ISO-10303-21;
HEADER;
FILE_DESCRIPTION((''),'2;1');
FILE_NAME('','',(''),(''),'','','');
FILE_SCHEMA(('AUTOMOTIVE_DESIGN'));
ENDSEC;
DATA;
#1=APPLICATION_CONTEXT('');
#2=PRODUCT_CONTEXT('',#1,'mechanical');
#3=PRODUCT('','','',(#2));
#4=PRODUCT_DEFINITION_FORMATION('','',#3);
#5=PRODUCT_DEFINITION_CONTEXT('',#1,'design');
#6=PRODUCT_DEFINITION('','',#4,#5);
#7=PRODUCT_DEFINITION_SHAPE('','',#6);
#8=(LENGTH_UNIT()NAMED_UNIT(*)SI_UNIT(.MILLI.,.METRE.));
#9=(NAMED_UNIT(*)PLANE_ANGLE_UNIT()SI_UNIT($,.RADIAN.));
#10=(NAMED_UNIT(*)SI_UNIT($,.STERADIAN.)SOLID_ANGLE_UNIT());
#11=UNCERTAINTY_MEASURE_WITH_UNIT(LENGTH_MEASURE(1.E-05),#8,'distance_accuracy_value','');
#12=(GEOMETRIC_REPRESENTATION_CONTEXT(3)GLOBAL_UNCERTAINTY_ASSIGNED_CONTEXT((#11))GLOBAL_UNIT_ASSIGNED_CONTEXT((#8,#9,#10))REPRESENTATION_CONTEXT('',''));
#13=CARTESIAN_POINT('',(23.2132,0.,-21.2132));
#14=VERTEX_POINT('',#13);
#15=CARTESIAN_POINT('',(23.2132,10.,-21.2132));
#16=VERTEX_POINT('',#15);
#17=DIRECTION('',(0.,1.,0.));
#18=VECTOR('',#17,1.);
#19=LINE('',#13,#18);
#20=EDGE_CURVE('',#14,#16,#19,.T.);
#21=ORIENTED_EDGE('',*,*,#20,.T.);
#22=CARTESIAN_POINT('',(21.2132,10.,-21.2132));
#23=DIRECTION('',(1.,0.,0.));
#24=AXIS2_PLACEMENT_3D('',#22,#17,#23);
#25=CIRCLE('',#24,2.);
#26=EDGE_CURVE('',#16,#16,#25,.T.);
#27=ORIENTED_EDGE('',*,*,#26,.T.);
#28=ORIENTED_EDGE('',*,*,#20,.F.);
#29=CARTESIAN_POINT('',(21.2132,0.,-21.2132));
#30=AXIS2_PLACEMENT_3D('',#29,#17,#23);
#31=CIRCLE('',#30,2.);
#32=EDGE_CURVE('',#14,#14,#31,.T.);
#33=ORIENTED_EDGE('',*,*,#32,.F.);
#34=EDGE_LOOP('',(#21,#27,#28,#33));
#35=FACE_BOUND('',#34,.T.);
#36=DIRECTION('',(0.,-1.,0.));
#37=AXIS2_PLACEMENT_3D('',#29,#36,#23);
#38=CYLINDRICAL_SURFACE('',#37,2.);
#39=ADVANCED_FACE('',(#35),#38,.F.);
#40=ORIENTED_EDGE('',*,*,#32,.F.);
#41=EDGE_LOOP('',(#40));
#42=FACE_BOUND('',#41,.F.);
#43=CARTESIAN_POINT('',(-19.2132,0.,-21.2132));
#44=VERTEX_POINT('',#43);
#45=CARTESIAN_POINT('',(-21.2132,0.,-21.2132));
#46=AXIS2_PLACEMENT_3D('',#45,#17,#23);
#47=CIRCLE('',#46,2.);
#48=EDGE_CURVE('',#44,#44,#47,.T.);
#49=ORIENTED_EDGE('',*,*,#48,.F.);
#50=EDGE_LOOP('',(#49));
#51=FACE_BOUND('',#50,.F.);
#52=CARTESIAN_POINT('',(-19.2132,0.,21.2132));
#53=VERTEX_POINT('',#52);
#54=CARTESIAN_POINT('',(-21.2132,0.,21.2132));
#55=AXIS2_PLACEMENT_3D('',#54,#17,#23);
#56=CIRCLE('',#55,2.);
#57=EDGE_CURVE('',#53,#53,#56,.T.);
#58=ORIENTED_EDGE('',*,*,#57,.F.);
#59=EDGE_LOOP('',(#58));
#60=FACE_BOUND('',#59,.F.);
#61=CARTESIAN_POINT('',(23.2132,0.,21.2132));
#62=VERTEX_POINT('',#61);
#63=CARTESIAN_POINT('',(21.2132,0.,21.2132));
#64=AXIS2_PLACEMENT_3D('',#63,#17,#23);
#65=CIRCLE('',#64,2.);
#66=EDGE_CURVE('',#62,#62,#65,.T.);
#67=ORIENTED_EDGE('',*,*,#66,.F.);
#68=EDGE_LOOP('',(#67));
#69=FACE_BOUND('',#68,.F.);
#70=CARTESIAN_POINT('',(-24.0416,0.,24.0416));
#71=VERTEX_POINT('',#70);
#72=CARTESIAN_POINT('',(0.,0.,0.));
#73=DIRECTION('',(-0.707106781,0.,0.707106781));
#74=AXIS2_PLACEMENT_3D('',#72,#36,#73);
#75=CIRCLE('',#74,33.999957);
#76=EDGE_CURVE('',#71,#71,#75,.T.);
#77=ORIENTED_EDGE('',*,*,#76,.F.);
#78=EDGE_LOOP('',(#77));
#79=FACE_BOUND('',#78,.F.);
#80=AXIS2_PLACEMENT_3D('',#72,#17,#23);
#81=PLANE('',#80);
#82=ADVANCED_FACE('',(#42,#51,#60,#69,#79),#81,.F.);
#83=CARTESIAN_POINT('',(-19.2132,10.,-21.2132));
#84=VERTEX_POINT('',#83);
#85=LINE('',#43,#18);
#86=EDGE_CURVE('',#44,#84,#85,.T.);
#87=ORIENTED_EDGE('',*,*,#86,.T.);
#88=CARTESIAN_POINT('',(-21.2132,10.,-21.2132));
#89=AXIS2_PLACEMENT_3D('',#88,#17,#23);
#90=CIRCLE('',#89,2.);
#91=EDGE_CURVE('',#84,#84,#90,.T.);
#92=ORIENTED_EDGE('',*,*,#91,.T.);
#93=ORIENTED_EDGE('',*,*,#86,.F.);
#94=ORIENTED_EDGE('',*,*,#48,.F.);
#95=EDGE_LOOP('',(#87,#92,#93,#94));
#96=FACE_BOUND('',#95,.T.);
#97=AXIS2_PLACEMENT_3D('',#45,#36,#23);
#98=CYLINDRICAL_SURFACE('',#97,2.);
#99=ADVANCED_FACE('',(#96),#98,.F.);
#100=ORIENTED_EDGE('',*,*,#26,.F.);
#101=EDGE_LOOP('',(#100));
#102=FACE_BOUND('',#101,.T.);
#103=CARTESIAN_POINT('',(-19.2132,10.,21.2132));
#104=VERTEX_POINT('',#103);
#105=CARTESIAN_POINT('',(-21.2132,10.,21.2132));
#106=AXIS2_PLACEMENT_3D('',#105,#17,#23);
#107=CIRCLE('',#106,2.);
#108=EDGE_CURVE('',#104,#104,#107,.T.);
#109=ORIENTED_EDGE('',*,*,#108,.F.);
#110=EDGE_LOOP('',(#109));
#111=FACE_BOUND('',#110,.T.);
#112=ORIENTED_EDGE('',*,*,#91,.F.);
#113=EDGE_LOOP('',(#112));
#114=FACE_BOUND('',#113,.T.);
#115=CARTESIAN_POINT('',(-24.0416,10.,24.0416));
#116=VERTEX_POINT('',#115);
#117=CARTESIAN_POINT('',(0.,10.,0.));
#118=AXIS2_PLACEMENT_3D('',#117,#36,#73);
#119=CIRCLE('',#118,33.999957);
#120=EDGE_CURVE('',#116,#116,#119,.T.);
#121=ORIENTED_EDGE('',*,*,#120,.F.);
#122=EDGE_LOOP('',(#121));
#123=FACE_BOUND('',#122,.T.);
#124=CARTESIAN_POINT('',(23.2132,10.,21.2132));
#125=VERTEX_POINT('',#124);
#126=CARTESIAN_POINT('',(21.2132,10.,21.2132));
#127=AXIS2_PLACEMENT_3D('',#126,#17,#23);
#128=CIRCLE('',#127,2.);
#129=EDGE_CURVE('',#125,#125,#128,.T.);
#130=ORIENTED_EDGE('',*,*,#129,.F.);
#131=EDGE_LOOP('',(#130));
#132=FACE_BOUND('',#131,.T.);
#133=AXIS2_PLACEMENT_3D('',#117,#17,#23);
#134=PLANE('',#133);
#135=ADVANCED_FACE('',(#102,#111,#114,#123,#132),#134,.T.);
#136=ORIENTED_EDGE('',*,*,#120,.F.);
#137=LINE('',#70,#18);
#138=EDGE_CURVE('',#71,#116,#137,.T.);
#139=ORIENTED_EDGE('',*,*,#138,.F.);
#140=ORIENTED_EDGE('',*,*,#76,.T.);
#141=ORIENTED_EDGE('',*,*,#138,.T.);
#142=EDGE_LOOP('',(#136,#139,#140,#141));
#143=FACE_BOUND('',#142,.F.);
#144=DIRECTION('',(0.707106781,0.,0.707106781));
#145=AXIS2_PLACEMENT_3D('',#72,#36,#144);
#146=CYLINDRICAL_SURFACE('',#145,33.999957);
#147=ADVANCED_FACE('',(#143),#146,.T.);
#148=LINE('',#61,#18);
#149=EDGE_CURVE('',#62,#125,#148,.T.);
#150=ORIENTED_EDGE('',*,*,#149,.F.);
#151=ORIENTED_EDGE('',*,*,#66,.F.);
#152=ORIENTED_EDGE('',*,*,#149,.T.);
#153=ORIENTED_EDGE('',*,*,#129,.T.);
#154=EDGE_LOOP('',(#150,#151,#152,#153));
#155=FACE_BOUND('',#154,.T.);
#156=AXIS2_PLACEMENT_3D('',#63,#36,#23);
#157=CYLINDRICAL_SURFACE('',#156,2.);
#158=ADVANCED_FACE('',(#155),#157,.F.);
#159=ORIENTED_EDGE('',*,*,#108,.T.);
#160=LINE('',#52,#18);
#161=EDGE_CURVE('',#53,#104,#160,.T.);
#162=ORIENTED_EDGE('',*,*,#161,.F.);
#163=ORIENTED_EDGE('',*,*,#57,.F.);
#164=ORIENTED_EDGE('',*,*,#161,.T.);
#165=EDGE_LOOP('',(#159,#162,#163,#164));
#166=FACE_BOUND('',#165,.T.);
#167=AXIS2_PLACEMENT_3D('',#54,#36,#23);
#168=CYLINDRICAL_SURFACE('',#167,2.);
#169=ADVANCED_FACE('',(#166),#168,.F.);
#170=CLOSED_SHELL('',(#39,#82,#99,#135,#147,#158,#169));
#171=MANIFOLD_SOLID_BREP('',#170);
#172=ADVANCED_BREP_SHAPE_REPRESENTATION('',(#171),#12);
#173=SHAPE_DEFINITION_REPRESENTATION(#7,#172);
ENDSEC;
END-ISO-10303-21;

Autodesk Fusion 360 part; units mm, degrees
sketch "Sketch1" plane through (0, 0, 0) normal (1, 0, 0) x (0, 1, 0)
sketch "Sketch2" plane through (0, 0, 0) normal (0, 0, 1) x (1, 0, 0)
sketch "Sketch3" plane through (0, 0, 0) normal (1, 0, 0) x (0, 1, 0)
sketch "Sketch4" plane through (0, 0, 0) normal (1, 0, 0) x (0, 1, 0)
sketch "Sketch5" plane through (0, 0, 0) normal (0, 1, 0) x (1, 0, 0)
  circle A0 centre (0, 0) radius 18
  circle A1 centre (0, 0) radius 8
  line L0 (0, 11.547) -> (-10, 5.7735)
  line L1 (-10, 5.7735) -> (-10, -5.7735)
  line L2 (-10, -5.7735) -> (0, -11.547)
  line L3 (0, -11.547) -> (10, -5.7735)
  line L4 (10, -5.7735) -> (10, 5.7735)
  line L5 (10, 5.7735) -> (0, 11.547)
  arc A2 (18.3848, -24.0416) -> (24.0416, -18.3848) centre (21.2132, -21.2132) ccw
  arc A3 (-18.3848, 24.0416) -> (-24.0416, 18.3848) centre (-21.2132, 21.2132) ccw
  line L6 (-21.2132, 21.2132) -> (21.2132, -21.2132) construction
  circle A4 centre (21.2132, -21.2132) radius 2
  circle A5 centre (-21.2132, 21.2132) radius 2
  arc A6 (24.0416, 18.3848) -> (18.3848, 24.0416) centre (21.2132, 21.2132) ccw
  arc A7 (-24.0416, -18.3848) -> (-18.3848, -24.0416) centre (-21.2132, -21.2132) ccw
  circle A8 centre (-21.2132, -21.2132) radius 2
  circle A9 centre (21.2132, 21.2132) radius 2
  arc A10 (24.0416, -24.0416) -> (24.0416, 24.0416) centre (0, 0) ccw
  arc A11 (24.0416, 24.0416) -> (-24.0416, 24.0416) centre (0, 0) ccw
  arc A12 (-24.0416, 24.0416) -> (-24.0416, -24.0416) centre (0, 0) ccw
  arc A13 (-24.0416, -24.0416) -> (24.0416, -24.0416) centre (0, 0) ccw
  line L7 (-24.0416, -18.3848) -> (-15.2381, -9.5812)
  line L8 (-21.2132, -21.2132) -> (-12.7279, -12.7279) construction
  line L9 (-9.5812, -15.2381) -> (-18.3848, -24.0416)
  line L10 (9.5812, -15.2381) -> (18.3848, -24.0416)
  line L11 (24.0416, -18.3848) -> (15.2381, -9.5812)
  line L12 (24.0416, 18.3848) -> (15.2381, 9.5812)
  line L13 (12.7279, 12.7279) -> (21.2132, 21.2132) construction
  line L14 (9.5812, 15.2381) -> (18.3848, 24.0416)
  line L15 (-9.5812, 15.2381) -> (-18.3848, 24.0416)
  line L16 (-24.0416, 18.3848) -> (-15.2381, 9.5812)
  line L17 (0, 0) -> (5.6569, 0) construction
  line L18 (8, 0) -> (30, 0) construction
  dimension "d3" = 36
  dimension "d4" = 16
  dimension "d5" = 10
  dimension "d8" = 8
  dimension "d9" = 45
  dimension "d10" = 4
  dimension "d11" = 4
  dimension "d12" = 60
  dimension "d14" = 34
  dimension "d16" = 360
sketch "Sketch6" plane through (0, 0, 0) normal (0, 1, 0) x (1, 0, 0)
extrude "Extrude1" add sketch "Sketch5" along normal blind 10 contours A0 | A0 A2 A6 A10 L11 L12 | A0 A6 L12 L14 | A0 A2 L10 L11 | A0 A3 A6 A11 L14 L15 | A0 A2 A7 A13 L9 L10 | A0 A3 L15 L16 | A0 A7 L7 L9 | A0 A3 A7 A12 L7 L16 | A1 | L0 L1 L2 L3 L4 L5
